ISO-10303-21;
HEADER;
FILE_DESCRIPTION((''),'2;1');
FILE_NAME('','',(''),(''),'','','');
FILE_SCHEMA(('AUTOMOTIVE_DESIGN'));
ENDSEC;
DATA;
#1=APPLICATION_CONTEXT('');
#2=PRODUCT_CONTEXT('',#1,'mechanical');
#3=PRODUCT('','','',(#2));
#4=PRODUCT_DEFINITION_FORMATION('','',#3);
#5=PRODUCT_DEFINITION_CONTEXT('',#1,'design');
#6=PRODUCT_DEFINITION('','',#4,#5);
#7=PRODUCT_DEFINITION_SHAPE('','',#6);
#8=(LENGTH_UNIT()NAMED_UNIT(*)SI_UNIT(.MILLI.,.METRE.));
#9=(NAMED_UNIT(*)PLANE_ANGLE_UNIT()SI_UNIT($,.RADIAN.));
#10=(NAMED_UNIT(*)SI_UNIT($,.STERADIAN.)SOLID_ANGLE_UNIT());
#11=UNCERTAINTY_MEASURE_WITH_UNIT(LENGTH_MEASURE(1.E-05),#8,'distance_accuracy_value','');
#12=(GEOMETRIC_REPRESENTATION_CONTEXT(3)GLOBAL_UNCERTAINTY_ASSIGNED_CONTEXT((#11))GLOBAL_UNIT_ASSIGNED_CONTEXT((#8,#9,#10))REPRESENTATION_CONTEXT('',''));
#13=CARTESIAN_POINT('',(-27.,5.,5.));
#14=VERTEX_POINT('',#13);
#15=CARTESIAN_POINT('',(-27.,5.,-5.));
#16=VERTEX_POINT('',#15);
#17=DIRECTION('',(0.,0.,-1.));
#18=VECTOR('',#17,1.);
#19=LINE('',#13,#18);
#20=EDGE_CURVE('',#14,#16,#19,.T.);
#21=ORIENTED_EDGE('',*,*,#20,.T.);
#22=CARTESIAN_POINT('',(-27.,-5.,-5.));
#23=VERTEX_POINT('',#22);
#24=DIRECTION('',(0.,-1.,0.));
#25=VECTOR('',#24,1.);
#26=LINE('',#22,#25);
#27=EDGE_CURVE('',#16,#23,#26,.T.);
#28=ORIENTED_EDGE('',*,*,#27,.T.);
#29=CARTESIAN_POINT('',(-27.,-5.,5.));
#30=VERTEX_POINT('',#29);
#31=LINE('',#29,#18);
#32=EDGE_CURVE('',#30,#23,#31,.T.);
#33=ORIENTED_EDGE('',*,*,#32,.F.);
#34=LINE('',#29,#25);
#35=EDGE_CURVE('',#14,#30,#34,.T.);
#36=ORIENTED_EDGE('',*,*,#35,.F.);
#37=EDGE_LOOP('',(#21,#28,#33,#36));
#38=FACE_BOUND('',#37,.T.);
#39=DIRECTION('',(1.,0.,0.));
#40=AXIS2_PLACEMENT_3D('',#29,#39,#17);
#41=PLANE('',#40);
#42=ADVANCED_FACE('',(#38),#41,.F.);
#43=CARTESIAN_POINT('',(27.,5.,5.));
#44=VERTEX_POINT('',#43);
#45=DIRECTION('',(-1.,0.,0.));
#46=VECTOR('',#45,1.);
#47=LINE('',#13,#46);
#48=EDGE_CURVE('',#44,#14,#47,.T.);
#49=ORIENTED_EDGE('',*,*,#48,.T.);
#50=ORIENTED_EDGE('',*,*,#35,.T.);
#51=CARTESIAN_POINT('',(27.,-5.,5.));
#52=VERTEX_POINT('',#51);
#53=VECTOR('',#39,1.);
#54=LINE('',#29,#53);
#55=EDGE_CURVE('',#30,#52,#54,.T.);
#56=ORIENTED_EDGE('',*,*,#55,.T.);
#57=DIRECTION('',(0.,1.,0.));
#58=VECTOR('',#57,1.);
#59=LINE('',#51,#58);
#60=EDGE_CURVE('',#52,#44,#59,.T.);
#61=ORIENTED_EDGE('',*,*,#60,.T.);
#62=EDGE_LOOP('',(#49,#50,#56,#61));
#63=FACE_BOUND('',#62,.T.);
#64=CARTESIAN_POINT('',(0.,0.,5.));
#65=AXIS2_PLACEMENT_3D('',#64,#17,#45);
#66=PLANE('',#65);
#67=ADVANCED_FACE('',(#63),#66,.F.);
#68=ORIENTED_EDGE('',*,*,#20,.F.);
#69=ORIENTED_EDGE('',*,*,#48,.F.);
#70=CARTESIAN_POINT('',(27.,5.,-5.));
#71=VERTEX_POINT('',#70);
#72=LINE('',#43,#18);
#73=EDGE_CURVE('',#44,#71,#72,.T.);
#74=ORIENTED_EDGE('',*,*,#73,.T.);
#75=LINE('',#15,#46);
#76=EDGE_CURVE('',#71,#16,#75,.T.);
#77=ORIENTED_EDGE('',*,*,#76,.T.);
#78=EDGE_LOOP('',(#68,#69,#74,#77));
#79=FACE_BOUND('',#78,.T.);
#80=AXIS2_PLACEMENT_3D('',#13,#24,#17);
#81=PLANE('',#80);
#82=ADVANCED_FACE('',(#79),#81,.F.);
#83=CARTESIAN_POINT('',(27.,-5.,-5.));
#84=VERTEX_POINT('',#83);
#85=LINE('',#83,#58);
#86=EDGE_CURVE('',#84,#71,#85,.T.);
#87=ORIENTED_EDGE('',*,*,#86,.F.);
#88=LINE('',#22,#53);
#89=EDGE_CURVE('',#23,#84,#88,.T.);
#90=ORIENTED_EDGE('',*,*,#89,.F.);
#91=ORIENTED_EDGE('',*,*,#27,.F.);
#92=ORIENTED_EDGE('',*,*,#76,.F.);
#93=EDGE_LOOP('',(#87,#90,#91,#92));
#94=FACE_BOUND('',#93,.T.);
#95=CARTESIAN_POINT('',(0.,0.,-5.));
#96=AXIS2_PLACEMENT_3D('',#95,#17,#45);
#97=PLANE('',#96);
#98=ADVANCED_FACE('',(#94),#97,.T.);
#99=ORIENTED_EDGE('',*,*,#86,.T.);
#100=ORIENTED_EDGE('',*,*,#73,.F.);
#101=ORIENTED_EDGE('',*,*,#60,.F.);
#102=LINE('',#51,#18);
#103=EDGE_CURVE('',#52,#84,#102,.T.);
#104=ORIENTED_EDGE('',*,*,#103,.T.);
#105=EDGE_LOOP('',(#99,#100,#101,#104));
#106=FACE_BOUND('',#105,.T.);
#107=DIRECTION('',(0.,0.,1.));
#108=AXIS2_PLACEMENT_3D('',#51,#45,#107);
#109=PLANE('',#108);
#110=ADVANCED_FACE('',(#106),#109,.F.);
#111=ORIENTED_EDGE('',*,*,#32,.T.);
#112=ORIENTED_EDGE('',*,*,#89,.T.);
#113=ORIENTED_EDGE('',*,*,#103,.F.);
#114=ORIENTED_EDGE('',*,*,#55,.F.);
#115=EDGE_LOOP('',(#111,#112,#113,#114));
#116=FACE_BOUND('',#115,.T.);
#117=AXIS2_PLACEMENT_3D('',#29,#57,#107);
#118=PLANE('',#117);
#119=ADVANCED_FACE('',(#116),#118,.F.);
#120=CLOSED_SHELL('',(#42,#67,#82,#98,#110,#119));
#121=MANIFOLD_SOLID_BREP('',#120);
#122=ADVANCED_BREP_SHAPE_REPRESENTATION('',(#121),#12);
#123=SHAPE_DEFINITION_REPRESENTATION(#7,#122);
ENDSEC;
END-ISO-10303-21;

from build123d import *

# Parameters (mm, degrees)
SKETCH1_W           = 54
SKETCH1_H           = 10
BOSS_EXTRUDE1_DEPTH = 5


with BuildPart() as part:
    # Sketch1 → Boss-Extrude1 (new, symmetric)
    with BuildSketch(Plane.XY):
        Rectangle(SKETCH1_W, SKETCH1_H)
    extrude(amount=BOSS_EXTRUDE1_DEPTH, both=True)


solid = part.part
